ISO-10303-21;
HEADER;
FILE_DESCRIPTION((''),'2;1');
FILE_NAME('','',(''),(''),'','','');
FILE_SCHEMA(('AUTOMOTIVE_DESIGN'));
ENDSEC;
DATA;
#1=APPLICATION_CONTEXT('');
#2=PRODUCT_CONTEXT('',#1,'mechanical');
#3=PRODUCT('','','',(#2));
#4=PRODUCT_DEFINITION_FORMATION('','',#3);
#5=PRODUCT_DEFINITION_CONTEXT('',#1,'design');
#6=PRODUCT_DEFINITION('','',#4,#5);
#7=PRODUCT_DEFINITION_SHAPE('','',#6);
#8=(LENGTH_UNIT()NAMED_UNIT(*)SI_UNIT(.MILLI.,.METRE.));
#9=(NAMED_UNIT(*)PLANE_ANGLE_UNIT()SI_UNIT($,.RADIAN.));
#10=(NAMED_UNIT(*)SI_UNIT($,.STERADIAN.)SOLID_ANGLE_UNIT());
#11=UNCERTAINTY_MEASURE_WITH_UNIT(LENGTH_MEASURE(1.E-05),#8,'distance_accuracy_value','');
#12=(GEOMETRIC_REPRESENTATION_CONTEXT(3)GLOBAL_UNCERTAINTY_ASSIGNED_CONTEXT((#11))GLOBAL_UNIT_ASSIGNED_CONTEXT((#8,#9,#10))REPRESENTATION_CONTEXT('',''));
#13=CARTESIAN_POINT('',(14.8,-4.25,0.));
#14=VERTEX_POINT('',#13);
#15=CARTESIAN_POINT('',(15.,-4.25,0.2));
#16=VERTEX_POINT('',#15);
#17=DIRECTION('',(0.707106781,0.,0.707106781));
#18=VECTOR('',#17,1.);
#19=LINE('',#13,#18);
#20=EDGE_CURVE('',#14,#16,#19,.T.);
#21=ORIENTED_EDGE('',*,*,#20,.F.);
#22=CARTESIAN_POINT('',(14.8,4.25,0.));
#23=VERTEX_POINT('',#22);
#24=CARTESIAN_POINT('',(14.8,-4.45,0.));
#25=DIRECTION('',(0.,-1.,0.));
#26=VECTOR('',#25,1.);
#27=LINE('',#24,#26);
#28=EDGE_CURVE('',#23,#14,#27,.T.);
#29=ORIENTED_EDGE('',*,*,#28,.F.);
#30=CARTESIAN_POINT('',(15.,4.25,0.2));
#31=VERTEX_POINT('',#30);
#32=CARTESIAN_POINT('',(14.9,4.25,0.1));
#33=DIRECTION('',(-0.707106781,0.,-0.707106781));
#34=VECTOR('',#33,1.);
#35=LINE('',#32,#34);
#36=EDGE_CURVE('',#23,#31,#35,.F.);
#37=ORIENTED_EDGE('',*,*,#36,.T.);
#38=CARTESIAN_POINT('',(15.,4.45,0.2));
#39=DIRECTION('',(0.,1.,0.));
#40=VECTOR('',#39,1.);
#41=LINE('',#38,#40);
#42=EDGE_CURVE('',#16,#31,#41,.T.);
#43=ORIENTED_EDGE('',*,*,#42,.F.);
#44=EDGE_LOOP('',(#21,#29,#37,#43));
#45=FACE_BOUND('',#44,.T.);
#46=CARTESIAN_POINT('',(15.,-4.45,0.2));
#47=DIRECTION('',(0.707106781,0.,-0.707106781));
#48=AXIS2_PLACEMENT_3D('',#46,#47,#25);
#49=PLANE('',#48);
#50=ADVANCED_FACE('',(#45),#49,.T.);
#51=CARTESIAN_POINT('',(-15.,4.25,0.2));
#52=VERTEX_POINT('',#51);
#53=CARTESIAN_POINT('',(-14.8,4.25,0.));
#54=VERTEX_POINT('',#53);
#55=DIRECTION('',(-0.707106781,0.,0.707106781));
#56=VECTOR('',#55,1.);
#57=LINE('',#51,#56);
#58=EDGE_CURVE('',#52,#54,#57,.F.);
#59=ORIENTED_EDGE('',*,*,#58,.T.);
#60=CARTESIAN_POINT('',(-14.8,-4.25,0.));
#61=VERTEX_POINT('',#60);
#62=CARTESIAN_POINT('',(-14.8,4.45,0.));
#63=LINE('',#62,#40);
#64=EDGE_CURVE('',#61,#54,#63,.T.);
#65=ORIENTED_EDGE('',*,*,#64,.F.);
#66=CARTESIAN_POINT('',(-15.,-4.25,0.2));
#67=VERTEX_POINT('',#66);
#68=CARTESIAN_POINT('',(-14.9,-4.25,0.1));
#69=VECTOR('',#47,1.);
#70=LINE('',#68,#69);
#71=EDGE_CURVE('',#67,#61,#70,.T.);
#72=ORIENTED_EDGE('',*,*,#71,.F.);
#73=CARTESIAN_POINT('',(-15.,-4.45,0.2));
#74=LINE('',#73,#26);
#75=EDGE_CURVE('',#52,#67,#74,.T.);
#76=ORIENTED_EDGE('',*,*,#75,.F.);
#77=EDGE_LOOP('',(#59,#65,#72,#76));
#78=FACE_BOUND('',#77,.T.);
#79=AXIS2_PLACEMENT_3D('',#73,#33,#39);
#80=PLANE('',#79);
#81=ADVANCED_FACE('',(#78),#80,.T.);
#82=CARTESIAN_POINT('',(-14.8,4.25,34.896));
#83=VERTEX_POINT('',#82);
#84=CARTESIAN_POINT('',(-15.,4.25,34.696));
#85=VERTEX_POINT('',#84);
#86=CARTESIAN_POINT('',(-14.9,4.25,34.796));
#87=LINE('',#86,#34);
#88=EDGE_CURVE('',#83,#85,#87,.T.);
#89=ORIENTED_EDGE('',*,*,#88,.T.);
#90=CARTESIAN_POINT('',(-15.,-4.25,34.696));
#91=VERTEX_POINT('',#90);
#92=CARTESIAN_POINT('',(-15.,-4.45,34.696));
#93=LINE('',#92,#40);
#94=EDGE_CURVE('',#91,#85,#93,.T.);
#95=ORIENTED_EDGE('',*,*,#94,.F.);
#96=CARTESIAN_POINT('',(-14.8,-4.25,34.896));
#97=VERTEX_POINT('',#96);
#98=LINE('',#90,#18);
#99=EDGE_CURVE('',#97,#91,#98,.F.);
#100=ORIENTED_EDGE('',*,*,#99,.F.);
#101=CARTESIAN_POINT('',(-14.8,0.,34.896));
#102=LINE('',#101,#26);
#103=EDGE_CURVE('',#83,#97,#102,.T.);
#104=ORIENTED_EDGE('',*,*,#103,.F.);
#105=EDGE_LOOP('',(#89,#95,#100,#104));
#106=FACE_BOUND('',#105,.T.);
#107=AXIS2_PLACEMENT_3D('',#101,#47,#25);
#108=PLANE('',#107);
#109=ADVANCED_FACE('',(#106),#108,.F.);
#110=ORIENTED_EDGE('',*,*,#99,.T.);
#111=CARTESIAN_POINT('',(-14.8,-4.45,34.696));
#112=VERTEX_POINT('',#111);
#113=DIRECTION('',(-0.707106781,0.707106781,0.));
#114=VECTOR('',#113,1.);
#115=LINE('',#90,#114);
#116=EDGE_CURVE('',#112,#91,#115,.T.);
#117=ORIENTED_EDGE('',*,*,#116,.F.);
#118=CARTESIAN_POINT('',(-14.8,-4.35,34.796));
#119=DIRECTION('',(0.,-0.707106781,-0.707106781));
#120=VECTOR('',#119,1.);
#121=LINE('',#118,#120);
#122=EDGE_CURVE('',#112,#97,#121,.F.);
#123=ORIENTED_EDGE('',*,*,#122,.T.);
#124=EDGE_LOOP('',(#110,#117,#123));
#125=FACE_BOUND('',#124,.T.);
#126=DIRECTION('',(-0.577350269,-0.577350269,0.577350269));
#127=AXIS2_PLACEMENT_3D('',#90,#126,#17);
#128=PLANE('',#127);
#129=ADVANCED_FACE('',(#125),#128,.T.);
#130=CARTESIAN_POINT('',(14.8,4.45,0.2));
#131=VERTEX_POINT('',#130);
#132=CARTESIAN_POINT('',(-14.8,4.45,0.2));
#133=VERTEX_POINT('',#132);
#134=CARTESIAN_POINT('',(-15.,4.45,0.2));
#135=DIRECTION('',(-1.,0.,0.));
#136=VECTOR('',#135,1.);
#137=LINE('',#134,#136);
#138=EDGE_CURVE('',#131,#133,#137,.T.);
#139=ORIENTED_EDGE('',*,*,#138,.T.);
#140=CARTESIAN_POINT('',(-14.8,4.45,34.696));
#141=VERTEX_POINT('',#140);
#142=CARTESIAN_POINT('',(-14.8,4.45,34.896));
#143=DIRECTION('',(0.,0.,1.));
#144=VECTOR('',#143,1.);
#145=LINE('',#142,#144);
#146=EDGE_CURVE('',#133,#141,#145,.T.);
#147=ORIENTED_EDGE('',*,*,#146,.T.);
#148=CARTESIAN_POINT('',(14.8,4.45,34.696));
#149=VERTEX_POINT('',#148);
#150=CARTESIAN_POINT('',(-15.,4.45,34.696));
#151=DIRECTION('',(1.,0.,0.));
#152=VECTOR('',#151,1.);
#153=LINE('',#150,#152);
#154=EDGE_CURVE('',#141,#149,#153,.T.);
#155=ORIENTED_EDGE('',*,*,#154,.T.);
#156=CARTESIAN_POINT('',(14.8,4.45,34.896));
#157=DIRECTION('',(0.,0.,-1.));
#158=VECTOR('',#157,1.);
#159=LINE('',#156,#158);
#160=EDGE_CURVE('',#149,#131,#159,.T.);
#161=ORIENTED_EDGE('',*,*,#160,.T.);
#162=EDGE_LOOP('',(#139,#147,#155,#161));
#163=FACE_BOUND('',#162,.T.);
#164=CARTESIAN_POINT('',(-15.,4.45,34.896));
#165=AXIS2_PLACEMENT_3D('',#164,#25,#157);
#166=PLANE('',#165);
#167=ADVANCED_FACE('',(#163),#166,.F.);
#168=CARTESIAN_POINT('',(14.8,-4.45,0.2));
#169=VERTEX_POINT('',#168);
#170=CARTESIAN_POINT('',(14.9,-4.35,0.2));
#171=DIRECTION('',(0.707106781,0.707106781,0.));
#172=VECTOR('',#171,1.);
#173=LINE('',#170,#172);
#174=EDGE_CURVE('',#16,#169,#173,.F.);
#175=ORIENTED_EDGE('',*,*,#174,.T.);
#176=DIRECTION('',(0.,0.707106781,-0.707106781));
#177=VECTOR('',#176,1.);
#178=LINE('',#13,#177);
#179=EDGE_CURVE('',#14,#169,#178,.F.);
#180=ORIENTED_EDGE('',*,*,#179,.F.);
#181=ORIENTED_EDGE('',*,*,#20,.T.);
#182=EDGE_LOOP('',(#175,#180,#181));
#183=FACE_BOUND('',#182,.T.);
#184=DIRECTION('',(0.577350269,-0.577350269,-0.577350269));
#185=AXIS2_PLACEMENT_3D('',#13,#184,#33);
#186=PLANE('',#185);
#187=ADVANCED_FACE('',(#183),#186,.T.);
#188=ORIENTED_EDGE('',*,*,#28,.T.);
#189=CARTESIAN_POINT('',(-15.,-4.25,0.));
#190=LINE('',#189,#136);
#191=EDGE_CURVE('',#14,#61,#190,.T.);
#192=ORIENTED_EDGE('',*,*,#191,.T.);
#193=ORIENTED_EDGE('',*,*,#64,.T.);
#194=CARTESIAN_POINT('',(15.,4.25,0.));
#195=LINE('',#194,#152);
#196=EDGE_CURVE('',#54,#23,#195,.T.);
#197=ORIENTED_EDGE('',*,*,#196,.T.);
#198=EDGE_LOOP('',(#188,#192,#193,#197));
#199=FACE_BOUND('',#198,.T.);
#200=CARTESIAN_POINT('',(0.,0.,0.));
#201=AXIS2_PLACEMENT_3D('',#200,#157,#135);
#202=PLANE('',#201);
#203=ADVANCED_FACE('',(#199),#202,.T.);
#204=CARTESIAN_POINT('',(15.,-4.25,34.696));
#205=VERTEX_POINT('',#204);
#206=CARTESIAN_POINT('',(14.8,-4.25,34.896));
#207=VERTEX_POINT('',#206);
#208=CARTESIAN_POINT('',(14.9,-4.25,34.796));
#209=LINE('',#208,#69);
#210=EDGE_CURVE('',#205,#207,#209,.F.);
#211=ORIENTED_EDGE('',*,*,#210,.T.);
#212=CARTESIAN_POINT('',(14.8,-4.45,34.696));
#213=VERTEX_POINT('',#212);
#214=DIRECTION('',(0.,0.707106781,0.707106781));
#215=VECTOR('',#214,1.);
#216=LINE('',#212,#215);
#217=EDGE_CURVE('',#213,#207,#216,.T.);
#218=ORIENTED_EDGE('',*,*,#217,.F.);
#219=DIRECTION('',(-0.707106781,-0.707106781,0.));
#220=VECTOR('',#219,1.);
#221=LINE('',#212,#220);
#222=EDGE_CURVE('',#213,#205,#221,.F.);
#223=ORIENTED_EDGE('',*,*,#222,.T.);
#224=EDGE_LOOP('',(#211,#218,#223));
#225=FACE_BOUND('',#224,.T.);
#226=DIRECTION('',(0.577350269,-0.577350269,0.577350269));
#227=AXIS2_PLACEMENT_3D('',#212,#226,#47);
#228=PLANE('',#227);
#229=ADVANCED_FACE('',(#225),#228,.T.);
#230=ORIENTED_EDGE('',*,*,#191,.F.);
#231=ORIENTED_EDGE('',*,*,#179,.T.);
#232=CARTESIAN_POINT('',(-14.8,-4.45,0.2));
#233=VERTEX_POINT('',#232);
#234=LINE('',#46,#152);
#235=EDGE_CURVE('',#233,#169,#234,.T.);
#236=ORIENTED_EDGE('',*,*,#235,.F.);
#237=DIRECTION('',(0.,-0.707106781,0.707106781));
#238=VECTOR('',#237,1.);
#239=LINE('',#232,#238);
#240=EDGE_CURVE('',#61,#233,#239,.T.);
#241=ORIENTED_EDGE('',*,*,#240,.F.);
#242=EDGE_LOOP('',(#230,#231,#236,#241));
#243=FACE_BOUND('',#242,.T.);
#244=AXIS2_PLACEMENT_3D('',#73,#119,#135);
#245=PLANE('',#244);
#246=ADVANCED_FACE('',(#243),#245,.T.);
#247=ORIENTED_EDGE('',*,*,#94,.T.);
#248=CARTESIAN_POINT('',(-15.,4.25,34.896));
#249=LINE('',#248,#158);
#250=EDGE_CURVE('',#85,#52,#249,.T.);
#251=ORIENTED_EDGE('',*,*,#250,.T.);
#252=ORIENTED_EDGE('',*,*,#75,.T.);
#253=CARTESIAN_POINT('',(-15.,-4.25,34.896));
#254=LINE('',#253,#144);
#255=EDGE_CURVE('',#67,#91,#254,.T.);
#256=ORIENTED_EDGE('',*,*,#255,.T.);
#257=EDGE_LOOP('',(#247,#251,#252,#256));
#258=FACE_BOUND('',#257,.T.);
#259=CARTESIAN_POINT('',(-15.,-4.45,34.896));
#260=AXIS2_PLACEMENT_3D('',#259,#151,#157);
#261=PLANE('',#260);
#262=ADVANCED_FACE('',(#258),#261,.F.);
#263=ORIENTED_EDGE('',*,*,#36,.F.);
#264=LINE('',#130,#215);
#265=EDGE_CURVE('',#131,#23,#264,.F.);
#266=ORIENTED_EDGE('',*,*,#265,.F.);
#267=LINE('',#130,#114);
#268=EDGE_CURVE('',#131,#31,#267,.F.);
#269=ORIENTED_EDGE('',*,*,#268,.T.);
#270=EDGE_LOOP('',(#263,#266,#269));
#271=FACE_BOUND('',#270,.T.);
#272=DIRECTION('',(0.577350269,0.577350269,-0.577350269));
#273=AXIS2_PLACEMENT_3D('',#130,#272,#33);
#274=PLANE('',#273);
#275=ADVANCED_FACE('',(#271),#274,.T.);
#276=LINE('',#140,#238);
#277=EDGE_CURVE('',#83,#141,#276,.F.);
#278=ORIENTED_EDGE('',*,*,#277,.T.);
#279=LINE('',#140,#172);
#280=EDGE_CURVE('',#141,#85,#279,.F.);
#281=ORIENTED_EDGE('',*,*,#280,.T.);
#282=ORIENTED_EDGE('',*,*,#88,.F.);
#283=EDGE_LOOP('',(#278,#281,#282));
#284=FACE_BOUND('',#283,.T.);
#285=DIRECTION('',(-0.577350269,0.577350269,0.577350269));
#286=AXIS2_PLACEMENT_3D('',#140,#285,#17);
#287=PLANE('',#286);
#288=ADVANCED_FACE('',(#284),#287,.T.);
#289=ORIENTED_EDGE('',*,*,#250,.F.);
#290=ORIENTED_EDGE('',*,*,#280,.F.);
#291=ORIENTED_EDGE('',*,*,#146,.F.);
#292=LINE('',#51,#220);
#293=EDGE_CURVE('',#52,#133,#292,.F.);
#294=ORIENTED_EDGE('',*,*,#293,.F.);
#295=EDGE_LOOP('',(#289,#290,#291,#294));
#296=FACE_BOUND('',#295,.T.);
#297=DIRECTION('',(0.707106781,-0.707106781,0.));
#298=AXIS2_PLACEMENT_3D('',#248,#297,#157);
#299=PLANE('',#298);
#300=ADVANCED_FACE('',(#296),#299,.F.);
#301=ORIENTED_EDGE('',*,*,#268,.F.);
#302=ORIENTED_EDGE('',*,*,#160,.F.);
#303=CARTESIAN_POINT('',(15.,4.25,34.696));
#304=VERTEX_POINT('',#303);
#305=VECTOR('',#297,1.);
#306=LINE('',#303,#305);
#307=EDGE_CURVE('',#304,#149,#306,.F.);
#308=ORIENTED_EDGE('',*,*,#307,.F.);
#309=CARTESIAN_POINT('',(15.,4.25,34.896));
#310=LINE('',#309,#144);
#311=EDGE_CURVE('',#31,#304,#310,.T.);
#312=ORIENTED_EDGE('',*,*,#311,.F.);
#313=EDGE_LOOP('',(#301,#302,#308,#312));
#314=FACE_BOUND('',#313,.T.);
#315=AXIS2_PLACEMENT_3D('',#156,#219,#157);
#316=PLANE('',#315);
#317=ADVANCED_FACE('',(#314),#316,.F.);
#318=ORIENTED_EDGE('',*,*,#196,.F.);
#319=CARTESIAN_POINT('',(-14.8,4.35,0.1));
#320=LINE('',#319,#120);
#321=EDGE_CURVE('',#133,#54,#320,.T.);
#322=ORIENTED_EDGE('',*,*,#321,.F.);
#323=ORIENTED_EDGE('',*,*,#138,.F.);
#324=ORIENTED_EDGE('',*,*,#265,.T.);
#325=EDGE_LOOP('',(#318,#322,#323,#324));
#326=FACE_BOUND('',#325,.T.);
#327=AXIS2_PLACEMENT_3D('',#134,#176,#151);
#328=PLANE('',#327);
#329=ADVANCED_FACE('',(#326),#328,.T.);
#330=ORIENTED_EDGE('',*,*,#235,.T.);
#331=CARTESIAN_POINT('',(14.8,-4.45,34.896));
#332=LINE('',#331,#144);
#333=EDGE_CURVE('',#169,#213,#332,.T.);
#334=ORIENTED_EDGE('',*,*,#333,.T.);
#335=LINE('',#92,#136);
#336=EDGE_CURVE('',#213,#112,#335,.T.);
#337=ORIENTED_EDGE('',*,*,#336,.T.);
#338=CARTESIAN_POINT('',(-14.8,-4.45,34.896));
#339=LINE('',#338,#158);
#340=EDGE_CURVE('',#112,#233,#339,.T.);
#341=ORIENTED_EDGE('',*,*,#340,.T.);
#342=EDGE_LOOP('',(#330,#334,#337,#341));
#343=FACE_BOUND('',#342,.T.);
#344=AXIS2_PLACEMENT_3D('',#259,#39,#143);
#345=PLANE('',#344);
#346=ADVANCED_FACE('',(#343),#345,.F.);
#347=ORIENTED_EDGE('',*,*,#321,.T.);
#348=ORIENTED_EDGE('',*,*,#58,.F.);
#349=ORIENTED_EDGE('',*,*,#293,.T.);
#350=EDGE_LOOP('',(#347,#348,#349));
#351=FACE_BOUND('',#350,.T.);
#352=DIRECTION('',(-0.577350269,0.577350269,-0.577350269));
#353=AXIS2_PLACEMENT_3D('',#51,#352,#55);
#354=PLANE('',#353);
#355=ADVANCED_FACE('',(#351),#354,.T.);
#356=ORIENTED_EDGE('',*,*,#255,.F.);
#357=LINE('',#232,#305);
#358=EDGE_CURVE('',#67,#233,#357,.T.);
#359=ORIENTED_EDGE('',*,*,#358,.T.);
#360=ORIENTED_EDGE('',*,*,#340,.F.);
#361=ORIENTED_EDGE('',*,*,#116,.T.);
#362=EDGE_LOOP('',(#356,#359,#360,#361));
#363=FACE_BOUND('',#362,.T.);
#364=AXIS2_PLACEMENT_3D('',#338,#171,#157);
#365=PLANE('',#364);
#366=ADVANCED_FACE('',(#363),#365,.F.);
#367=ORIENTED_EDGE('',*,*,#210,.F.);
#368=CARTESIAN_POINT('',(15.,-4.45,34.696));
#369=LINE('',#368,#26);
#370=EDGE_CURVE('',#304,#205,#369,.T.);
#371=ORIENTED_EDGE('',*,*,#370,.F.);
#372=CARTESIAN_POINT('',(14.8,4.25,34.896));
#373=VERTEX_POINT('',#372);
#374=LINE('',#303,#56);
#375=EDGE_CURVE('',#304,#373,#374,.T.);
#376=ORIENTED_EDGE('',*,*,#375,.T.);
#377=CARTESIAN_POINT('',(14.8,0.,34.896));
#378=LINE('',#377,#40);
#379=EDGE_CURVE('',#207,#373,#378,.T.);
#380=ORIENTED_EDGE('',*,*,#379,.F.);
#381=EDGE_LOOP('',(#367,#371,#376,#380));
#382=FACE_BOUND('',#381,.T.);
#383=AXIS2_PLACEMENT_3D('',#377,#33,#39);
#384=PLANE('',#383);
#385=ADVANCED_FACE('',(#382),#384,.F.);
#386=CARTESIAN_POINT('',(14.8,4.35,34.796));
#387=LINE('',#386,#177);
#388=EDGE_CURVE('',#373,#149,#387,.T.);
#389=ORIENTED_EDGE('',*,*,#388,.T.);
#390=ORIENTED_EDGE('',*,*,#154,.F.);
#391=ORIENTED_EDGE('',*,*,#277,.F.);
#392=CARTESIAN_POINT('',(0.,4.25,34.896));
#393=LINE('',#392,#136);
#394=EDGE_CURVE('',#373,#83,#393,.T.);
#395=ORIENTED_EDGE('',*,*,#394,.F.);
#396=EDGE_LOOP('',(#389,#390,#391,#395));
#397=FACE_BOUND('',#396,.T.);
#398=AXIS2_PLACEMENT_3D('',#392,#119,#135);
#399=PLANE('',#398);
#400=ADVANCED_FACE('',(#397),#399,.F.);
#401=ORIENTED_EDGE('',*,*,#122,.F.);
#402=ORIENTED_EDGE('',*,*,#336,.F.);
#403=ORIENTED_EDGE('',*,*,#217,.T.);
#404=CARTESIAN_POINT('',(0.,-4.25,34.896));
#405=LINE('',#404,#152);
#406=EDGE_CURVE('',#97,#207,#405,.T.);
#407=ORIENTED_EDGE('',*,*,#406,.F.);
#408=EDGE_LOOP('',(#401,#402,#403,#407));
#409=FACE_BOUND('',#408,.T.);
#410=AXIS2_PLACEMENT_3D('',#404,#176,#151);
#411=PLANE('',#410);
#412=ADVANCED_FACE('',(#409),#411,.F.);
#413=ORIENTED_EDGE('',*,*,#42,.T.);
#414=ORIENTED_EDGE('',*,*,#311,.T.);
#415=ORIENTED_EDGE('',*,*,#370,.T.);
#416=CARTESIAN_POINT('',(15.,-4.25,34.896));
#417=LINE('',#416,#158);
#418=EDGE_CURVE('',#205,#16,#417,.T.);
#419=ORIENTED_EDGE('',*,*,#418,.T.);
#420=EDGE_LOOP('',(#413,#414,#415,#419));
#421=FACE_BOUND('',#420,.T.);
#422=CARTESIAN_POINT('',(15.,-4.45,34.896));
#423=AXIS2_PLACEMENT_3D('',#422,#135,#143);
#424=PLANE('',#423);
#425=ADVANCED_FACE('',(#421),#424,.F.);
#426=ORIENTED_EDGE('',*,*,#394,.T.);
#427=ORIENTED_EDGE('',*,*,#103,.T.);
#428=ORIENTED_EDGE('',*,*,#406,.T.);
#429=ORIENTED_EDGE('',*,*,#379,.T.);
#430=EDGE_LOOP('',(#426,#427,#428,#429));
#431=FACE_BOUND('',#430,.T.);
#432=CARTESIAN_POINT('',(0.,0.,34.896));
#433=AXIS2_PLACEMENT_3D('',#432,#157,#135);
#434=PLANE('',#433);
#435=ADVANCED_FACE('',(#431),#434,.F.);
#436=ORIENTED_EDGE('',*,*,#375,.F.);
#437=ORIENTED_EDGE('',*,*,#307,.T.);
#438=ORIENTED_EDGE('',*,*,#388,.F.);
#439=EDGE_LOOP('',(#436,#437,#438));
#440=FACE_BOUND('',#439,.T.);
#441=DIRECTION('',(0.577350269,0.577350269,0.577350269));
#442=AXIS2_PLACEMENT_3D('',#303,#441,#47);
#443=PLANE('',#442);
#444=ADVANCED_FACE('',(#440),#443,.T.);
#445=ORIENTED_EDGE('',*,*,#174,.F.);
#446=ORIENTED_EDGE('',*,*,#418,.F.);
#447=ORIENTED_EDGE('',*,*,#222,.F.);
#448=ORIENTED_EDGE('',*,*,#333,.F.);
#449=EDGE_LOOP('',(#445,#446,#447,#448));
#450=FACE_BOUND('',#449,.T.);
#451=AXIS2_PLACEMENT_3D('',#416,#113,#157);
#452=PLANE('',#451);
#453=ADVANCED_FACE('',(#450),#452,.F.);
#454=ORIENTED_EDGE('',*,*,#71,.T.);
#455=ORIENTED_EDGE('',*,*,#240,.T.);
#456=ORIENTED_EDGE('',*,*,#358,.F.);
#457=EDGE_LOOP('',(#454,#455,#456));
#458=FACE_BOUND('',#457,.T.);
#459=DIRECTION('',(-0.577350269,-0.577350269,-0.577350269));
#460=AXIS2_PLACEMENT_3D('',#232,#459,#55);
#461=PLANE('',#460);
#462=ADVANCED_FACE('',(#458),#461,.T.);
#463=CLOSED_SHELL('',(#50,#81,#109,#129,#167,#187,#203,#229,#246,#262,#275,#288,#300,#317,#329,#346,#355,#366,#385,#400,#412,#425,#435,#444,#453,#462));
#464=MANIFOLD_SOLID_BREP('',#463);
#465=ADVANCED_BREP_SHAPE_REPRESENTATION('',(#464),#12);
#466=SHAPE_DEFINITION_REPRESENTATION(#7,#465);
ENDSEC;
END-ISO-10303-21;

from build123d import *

# Parameters (mm, degrees)
SKICA1_W                = 30
SKICA1_H                = 8.9
P_IDAT_VYSUNUT_M1_DEPTH = 34.896
ZKOSEN_1_SIZE           = 0.2


with BuildPart() as part:
    # Skica1 → Přidat vysunutím1 (new body)
    with BuildSketch(Plane.XY):
        Rectangle(SKICA1_W, SKICA1_H)
    extrude(amount=P_IDAT_VYSUNUT_M1_DEPTH)

    # Zkosení1
    zkosen_1_edges = [part.edges().sort_by_distance(p)[0] for p in [
        (-15, 0, 34.896),
        (0, -4.45, 34.896),
        (15, 0, 34.896),
        (0, -4.45, 0),
        (-15, 0, 0),
        (0, 4.45, 0),
        (15, 0, 0),
        (15, -4.45, 17.448),
        (-15, -4.45, 17.448),
        (-15, 4.45, 17.448),
        (15, 4.45, 17.448),
        (0, 4.45, 34.896),
    ]]
    chamfer(zkosen_1_edges, length=ZKOSEN_1_SIZE)


solid = part.part
